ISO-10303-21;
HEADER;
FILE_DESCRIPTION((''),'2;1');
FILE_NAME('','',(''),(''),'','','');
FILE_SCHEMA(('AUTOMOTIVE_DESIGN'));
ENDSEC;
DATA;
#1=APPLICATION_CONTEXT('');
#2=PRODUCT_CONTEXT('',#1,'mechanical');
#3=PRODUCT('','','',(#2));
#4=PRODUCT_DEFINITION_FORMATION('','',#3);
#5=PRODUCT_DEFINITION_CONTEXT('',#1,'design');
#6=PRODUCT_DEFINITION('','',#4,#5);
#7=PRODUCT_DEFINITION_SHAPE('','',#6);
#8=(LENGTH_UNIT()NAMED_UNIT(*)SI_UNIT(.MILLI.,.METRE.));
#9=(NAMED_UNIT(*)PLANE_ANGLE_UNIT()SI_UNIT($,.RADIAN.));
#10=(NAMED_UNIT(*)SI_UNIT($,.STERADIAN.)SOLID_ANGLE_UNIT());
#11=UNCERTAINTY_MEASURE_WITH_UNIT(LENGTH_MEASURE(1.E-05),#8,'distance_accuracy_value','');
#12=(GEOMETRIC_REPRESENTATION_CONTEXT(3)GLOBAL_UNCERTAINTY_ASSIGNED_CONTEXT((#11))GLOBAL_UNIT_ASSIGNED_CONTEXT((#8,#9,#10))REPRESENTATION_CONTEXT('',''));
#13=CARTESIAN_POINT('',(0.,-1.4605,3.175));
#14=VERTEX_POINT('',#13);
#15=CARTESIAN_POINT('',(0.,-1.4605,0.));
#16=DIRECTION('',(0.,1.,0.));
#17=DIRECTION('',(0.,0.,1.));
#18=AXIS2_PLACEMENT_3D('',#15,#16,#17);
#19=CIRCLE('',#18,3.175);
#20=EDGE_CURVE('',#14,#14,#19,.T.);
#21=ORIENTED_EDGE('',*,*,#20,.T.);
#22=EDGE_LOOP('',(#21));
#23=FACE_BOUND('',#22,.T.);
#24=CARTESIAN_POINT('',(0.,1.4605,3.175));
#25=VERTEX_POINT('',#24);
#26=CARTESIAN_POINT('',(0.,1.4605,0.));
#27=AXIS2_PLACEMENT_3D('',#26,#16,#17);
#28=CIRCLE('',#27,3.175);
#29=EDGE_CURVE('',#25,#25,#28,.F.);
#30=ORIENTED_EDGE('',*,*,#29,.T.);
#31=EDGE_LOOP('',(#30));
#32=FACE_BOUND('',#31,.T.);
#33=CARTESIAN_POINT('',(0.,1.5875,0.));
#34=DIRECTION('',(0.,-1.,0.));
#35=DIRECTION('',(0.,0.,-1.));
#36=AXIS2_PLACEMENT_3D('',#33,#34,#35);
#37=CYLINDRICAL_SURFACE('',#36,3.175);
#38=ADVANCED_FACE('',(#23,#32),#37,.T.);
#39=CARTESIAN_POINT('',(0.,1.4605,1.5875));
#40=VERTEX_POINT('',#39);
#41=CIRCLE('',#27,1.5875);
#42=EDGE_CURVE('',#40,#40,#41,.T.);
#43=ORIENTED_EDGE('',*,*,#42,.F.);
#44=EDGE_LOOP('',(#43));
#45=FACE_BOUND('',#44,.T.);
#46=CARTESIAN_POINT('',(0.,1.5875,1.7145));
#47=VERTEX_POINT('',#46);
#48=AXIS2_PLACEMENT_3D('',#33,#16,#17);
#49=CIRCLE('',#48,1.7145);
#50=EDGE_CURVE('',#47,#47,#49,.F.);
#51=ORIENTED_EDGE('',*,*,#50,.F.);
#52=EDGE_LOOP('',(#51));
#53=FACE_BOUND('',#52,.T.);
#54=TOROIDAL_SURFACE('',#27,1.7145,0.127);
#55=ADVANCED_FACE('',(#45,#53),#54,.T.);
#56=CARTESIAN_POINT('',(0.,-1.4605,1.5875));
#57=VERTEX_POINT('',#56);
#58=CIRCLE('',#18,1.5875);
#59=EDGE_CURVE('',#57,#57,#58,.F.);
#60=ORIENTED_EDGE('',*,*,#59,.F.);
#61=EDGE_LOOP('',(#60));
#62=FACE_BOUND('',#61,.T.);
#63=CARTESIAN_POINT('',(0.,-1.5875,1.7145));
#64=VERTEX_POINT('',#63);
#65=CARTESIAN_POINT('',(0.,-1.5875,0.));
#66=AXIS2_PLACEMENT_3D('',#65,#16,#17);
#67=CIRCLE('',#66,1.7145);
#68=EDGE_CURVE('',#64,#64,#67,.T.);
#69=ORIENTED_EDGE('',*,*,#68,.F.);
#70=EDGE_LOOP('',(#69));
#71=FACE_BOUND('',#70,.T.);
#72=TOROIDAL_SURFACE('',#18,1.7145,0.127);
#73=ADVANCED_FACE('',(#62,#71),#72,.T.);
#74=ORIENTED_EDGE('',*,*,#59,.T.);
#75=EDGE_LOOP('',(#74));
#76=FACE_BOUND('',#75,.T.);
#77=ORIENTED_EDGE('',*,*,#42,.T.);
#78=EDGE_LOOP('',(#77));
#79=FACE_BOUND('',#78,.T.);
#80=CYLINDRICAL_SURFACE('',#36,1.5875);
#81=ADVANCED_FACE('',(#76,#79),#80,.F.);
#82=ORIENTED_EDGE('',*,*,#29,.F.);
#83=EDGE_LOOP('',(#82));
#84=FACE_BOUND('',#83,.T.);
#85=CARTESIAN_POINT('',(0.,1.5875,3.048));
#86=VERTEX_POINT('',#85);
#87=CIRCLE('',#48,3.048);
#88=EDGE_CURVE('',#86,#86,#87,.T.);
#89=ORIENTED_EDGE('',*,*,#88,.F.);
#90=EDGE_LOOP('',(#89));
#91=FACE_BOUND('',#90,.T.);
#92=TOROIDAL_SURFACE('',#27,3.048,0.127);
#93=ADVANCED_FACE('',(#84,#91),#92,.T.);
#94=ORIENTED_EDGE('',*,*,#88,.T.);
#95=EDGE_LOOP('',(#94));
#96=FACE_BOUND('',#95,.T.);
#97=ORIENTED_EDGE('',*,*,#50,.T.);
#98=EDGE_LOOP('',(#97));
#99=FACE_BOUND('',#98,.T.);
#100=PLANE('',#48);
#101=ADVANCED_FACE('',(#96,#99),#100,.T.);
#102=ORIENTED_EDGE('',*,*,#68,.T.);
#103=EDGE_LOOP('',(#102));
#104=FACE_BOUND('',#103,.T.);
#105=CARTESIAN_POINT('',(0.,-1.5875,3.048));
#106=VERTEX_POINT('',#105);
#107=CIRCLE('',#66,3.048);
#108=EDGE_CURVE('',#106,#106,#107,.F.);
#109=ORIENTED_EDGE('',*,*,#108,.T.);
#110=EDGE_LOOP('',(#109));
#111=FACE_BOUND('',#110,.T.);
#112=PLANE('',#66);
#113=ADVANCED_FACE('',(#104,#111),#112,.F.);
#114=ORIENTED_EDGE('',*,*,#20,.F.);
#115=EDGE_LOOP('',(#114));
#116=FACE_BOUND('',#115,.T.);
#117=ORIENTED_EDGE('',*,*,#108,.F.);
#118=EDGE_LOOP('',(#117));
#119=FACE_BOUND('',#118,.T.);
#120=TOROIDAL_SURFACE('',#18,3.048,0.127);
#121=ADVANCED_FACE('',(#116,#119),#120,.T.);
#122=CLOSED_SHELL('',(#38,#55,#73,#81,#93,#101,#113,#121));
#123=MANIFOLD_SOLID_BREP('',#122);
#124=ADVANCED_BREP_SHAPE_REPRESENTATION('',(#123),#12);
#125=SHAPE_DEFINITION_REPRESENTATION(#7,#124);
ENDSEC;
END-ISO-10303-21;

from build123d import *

# Parameters (mm, degrees)
SKETCH1_R           = 3.175
SKETCH1_R_2         = 1.5875
BOSS_EXTRUDE1_DEPTH = 1.5875
FILLET1_R           = 0.127


with BuildPart() as part:
    # Sketch1 → Boss-Extrude1 (new, symmetric)
    with BuildSketch(Plane(origin=(0, 0, 0), x_dir=(1, 0, 0), z_dir=(0, 1, 0))):
        with Locations(Location((0, 0, 0), (0, 0, 270))):
            Circle(SKETCH1_R)
        with Locations(Location((0, 0, 0), (0, 0, 270))):
            Circle(SKETCH1_R_2, mode=Mode.SUBTRACT)
    extrude(amount=BOSS_EXTRUDE1_DEPTH, both=True)

    # Fillet1
    fillet1_edges = [part.edges().sort_by_distance(p)[0] for p in [
        (0, -1.5875, -3.175),
        (0, 1.5875, -3.175),
        (0, -1.5875, -1.5875),
        (0, 1.5875, -1.5875),
    ]]
    fillet(fillet1_edges, radius=FILLET1_R)


solid = part.part
